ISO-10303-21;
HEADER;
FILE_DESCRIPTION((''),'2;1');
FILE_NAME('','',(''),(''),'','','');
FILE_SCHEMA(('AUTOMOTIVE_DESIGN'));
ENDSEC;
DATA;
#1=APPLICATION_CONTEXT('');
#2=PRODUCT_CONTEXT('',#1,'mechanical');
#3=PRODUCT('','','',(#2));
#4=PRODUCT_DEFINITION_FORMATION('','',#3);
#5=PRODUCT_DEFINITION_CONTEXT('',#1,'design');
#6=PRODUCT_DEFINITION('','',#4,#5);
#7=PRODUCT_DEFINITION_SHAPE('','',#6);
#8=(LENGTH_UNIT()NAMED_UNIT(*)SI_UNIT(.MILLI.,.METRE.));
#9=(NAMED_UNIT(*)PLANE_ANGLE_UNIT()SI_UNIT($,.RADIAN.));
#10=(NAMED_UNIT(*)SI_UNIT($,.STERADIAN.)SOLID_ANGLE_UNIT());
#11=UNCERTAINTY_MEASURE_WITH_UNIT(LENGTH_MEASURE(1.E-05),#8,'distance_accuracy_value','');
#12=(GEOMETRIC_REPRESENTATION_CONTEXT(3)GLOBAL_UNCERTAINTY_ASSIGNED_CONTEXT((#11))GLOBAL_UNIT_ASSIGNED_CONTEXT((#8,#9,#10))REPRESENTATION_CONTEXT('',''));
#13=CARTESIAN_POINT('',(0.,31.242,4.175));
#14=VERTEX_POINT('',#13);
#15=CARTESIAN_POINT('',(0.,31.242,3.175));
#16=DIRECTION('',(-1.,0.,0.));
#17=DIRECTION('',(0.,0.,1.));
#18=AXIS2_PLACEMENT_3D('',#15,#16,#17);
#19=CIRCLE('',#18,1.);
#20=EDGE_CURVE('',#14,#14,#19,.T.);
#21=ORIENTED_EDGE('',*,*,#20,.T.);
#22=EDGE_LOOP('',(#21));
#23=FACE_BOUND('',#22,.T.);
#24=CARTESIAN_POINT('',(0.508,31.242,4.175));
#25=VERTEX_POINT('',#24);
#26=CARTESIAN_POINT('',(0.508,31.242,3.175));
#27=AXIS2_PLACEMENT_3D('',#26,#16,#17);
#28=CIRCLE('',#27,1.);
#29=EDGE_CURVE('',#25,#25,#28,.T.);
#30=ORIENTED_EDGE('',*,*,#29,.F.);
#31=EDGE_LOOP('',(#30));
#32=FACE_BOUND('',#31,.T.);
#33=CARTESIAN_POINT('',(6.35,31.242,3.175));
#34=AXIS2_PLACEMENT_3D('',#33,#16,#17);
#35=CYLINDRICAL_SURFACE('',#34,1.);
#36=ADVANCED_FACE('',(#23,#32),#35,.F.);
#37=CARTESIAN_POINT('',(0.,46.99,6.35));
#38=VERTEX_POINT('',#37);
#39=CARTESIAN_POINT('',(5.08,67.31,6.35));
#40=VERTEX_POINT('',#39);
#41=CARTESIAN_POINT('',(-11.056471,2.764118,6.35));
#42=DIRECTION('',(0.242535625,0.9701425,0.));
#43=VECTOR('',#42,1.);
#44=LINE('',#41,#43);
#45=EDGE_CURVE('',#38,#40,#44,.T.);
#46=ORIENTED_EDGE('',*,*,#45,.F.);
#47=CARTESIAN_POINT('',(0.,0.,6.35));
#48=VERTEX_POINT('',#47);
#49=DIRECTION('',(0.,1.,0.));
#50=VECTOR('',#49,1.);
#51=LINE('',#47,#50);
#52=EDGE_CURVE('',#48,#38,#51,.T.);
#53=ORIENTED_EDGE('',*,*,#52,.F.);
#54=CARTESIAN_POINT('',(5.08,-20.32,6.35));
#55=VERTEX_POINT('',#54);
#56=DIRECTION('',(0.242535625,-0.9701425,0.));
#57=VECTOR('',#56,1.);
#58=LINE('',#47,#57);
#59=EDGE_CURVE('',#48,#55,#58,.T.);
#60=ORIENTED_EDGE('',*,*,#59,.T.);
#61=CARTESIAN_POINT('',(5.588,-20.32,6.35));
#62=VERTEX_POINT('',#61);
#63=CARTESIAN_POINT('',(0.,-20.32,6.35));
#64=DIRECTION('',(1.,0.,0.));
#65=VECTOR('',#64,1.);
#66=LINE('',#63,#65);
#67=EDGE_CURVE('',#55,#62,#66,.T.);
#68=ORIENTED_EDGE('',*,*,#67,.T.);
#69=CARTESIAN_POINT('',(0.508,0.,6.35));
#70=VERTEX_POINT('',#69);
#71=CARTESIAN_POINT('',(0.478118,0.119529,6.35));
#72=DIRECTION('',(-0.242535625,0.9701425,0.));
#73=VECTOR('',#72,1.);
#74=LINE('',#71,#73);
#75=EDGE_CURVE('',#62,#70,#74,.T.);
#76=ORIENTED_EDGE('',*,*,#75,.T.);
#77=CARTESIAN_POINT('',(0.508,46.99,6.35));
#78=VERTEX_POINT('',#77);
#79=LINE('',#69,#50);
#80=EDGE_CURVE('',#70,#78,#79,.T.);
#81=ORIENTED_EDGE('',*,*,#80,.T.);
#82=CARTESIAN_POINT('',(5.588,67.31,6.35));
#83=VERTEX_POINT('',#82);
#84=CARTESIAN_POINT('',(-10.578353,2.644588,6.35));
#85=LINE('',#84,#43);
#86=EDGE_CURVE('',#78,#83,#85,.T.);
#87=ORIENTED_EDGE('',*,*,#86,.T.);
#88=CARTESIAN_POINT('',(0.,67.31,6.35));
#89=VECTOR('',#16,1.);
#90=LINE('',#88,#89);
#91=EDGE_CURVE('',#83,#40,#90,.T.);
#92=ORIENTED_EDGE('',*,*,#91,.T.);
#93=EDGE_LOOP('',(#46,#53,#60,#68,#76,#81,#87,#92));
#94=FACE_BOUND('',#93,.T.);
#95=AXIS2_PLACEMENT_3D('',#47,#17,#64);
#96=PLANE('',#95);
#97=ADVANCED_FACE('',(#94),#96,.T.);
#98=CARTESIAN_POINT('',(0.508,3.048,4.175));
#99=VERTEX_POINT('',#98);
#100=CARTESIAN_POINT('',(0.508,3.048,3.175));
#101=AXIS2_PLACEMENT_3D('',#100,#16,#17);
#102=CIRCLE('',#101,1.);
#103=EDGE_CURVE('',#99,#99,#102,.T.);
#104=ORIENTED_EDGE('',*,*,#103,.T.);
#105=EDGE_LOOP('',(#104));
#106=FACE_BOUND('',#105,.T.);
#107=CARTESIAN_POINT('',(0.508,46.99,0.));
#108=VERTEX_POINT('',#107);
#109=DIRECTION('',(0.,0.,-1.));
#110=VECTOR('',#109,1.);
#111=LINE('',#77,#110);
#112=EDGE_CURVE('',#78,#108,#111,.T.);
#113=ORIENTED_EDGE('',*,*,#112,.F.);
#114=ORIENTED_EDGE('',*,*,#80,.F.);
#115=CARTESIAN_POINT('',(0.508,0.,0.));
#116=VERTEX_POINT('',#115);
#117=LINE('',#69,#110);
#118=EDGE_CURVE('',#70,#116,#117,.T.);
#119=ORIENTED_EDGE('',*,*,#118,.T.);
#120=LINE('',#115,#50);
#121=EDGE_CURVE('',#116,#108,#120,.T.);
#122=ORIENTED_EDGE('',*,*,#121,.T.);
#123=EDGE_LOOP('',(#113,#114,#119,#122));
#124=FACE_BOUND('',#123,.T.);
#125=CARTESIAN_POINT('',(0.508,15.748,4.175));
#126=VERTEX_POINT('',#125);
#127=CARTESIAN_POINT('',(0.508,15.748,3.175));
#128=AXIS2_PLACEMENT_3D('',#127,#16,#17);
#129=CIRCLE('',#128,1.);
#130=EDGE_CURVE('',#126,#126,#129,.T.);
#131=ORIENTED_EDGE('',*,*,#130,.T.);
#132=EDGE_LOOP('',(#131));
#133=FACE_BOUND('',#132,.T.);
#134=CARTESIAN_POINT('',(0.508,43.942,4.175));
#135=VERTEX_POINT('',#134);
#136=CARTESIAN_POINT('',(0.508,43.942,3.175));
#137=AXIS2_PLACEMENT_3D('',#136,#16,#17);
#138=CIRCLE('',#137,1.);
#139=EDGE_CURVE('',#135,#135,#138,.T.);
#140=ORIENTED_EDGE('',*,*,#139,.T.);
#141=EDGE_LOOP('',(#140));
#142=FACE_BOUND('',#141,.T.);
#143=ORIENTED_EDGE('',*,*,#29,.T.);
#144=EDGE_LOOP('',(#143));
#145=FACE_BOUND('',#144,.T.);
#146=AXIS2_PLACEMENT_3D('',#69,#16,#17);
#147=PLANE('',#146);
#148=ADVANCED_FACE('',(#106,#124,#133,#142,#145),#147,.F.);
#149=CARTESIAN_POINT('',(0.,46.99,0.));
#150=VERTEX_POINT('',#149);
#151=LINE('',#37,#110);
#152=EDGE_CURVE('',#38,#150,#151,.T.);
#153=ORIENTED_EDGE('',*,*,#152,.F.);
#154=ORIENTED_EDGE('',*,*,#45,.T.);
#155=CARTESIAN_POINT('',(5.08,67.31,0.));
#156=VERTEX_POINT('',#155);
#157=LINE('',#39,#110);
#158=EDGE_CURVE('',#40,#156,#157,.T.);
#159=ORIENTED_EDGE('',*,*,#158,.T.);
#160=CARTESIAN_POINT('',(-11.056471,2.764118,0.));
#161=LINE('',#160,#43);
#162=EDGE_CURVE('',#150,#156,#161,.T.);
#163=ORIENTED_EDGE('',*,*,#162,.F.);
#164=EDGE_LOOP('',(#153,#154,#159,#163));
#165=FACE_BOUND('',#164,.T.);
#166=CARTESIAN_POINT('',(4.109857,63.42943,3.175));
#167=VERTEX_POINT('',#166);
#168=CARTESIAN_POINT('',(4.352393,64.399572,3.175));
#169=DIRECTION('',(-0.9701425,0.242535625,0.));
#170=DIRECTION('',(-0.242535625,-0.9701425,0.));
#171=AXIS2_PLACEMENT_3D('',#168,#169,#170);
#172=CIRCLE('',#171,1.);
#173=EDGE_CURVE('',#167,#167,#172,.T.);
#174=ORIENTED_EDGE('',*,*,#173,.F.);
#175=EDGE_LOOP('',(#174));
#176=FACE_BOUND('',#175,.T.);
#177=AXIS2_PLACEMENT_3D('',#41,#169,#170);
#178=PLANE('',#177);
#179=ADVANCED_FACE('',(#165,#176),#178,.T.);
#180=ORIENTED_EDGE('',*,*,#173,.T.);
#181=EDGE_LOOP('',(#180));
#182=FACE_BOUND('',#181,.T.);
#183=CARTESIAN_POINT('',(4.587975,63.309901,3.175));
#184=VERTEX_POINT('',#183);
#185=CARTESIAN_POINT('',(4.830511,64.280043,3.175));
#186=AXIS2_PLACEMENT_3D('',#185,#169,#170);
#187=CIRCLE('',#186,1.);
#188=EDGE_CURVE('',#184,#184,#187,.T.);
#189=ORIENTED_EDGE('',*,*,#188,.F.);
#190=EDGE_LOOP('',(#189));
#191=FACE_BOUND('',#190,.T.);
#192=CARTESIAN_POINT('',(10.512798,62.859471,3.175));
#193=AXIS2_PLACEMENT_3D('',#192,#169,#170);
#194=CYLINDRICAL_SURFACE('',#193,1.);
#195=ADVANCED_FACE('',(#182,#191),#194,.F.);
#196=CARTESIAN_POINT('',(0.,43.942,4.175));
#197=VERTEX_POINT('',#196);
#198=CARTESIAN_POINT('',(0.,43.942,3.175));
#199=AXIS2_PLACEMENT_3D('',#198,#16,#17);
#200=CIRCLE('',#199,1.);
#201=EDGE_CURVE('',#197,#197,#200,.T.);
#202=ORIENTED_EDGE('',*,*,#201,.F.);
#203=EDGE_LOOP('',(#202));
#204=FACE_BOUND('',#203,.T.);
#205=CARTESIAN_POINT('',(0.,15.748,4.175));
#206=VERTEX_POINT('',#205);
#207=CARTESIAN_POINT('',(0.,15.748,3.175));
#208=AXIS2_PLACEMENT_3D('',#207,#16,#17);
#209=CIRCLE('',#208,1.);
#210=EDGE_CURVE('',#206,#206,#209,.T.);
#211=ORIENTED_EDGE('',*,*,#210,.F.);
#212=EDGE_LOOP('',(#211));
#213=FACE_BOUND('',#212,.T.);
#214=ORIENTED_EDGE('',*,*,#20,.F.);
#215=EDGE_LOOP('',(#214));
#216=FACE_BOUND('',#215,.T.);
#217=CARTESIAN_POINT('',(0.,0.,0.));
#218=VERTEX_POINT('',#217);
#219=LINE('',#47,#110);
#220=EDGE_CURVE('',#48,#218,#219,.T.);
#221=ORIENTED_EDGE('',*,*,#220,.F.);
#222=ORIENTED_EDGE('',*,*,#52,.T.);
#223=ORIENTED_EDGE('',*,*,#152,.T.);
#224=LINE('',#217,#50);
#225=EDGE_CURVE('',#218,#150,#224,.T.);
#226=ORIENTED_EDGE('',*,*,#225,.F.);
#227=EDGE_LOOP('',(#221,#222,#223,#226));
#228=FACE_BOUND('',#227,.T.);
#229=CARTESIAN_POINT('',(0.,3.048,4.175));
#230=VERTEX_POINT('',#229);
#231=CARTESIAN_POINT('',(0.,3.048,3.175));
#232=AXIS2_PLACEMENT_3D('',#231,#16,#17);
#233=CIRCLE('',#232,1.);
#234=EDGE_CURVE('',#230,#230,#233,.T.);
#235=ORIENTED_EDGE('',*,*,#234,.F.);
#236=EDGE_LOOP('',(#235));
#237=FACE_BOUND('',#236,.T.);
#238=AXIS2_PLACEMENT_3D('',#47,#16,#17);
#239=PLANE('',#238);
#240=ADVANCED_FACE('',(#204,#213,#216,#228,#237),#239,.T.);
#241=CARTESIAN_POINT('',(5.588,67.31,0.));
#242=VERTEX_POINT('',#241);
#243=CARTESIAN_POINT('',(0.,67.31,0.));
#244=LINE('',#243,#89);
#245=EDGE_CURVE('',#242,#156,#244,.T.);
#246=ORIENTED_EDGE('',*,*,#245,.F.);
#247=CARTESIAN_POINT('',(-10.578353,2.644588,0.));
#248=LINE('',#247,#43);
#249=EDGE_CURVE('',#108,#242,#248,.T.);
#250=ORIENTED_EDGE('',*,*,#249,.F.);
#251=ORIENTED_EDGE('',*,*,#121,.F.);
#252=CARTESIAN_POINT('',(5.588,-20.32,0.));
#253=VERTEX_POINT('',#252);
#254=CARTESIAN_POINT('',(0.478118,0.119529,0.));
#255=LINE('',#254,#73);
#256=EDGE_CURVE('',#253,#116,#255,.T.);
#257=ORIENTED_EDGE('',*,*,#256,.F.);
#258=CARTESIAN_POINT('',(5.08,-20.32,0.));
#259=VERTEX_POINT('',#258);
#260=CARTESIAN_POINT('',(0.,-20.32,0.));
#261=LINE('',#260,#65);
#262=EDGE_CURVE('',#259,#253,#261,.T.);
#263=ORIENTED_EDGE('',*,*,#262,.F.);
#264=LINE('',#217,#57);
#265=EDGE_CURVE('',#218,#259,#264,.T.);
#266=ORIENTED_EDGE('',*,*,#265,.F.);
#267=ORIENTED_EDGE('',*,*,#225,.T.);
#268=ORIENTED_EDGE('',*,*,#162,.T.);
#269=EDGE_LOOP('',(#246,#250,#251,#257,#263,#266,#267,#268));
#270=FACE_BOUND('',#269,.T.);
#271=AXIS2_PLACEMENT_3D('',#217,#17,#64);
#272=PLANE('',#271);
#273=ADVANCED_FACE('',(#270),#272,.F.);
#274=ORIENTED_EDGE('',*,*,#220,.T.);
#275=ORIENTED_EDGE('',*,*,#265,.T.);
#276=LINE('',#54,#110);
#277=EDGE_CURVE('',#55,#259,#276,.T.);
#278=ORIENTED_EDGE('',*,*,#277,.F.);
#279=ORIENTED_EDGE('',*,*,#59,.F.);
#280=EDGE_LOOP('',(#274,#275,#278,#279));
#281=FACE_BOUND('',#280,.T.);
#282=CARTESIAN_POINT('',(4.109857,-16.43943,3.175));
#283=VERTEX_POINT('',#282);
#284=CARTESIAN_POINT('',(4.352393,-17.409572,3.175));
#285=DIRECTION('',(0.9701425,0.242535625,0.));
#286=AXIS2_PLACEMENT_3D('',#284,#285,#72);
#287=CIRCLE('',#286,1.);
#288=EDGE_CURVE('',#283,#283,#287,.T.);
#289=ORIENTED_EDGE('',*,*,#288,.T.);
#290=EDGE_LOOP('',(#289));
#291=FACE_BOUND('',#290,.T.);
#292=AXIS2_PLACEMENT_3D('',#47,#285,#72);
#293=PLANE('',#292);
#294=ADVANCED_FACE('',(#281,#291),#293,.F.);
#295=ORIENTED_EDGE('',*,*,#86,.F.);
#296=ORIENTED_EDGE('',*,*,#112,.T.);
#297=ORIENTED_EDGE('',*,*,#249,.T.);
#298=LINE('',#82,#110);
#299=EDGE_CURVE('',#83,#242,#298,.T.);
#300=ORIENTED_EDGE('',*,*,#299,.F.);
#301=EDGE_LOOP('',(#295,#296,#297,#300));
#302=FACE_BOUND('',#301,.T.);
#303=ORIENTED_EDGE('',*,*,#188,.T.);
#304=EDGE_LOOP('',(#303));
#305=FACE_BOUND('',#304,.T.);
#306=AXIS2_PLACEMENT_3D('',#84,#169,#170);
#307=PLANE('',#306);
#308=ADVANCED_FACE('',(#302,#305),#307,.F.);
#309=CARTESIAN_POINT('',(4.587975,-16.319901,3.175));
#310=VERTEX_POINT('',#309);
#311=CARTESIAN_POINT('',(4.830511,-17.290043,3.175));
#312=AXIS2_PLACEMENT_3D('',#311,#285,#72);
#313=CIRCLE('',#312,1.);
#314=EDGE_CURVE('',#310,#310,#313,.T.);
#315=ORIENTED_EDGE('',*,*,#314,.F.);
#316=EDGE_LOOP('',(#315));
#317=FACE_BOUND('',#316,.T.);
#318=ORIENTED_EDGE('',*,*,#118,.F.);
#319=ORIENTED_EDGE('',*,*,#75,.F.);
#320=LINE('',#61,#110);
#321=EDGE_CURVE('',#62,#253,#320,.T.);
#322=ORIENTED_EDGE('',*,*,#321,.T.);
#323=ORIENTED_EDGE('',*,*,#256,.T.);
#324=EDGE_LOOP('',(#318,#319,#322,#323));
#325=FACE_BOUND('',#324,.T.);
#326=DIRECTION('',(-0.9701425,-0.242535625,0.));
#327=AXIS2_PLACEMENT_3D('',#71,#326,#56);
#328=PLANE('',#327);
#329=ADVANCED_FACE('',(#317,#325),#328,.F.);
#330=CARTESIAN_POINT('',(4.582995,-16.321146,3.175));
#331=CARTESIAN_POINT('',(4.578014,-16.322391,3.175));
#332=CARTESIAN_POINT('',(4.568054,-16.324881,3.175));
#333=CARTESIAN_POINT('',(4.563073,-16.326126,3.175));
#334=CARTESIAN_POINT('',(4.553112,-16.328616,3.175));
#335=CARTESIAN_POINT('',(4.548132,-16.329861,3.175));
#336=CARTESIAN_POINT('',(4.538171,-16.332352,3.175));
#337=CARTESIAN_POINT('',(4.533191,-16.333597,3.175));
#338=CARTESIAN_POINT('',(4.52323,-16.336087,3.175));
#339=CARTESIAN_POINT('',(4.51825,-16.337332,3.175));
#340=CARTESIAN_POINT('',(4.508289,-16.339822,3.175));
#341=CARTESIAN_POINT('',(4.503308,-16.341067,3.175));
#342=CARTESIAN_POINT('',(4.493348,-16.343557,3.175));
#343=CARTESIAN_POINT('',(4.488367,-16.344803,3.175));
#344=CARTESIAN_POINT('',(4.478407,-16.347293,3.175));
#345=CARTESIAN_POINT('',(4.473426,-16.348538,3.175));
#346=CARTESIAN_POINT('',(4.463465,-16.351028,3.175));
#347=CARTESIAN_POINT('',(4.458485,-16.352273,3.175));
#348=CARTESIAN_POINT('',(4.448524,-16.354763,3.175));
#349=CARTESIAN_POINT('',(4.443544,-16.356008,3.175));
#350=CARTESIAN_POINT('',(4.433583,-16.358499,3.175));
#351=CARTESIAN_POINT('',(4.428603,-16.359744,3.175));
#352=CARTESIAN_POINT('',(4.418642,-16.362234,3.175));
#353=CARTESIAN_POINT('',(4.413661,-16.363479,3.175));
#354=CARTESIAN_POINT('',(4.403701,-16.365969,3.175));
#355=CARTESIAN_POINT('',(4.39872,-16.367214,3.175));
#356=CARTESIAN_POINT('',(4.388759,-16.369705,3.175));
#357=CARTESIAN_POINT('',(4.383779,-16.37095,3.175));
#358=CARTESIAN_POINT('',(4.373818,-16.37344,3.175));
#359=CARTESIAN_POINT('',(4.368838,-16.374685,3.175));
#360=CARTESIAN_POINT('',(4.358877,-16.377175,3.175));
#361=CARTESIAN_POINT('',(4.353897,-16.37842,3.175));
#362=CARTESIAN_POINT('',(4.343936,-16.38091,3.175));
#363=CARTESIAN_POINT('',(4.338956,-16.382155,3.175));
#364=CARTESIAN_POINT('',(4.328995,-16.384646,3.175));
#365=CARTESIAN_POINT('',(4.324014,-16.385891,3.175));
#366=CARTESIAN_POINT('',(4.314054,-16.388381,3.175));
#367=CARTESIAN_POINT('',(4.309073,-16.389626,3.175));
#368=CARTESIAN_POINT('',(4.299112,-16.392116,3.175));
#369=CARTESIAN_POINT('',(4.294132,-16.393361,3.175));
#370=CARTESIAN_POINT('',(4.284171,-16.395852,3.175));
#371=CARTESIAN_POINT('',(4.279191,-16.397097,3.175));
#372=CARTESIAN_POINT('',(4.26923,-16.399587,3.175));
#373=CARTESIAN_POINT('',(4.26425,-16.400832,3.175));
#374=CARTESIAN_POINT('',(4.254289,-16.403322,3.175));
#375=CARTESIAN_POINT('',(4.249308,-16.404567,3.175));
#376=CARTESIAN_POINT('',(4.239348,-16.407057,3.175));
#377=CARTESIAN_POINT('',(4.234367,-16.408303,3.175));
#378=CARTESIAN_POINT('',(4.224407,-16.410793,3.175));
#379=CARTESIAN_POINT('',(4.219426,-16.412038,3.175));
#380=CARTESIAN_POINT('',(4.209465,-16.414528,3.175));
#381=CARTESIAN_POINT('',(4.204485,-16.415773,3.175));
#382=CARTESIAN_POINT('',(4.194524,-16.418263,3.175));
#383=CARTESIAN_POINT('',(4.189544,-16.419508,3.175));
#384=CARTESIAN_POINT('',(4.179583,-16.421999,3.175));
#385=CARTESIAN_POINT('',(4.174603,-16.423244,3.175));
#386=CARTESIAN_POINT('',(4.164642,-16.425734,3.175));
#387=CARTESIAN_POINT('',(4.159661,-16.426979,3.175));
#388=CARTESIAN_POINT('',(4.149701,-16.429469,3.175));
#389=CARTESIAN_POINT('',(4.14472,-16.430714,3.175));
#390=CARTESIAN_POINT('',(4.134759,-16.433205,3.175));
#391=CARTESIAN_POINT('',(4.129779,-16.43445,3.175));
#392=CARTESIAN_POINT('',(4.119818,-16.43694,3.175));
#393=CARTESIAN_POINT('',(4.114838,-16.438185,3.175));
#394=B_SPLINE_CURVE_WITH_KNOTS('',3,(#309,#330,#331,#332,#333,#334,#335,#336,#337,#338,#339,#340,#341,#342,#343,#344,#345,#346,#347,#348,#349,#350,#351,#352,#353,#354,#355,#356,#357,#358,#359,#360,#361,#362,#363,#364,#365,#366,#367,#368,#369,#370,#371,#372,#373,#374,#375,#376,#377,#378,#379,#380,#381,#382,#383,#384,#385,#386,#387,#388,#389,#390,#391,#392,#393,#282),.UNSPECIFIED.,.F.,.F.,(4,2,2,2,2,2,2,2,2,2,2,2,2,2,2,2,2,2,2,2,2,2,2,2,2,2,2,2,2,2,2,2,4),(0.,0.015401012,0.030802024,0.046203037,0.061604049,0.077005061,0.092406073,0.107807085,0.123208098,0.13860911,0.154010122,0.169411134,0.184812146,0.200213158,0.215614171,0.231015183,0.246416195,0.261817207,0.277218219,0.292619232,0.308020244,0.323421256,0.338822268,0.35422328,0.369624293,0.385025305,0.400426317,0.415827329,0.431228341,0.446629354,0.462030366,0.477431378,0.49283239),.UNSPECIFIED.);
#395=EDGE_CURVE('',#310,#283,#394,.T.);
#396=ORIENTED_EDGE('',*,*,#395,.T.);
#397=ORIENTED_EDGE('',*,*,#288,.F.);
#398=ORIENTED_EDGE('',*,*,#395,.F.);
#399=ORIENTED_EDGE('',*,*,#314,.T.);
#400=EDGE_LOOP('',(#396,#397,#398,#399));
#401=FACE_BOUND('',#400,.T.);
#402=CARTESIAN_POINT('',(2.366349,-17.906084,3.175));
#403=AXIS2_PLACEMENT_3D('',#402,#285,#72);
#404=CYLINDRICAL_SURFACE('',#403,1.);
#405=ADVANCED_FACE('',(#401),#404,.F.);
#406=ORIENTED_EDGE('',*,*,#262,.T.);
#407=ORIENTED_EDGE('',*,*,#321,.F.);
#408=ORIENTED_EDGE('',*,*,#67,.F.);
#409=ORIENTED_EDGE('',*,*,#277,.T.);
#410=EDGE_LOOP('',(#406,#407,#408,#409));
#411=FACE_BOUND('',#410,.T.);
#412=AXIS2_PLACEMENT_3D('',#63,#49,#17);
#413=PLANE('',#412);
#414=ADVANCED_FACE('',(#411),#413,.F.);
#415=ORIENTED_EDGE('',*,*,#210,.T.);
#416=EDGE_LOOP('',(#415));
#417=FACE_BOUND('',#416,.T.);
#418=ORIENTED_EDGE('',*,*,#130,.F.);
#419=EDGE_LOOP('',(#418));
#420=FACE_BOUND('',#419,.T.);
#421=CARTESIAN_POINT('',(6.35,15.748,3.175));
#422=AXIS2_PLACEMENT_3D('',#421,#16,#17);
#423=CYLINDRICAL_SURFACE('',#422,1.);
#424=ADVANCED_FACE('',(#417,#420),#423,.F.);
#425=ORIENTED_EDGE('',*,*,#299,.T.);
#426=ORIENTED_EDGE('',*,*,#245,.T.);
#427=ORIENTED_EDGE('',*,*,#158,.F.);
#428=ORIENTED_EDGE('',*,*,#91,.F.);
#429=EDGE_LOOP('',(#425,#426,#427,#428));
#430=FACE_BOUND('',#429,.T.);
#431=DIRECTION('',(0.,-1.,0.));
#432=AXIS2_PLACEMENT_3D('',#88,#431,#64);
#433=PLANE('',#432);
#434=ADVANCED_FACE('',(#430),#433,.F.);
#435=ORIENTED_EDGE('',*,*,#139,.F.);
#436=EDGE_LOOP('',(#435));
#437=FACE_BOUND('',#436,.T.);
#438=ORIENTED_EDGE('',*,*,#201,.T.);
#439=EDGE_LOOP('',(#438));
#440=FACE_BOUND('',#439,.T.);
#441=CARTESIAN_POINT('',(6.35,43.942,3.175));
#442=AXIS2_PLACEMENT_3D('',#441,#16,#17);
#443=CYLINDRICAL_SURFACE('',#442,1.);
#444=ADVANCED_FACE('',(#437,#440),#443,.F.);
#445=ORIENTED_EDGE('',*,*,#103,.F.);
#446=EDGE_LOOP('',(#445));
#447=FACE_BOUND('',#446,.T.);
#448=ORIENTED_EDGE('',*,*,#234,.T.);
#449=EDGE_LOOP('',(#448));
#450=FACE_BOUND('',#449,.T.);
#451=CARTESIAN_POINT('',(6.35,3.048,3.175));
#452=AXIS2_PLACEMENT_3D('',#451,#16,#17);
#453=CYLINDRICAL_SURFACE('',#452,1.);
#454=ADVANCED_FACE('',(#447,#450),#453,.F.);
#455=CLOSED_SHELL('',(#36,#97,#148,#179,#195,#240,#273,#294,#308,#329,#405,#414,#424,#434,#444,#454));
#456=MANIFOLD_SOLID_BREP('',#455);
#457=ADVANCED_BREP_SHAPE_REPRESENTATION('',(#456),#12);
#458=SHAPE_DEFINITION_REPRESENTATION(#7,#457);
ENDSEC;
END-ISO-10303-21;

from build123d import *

# Parameters (mm, degrees)
SKETCH1_W           = 0.508
SKETCH1_H           = 46.99
BOSS_EXTRUDE1_DEPTH = 6.35
SKETCH2_R           = 1
CUT_EXTRUDE1_DEPTH  = 6.35
SKETCH3_R           = 1
CUT_EXTRUDE2_DEPTH  = 6.35
SKETCH4_R           = 1
CUT_EXTRUDE3_DEPTH  = 2.54


with BuildPart() as part:
    # Sketch1 → Boss-Extrude1 (new body)
    with BuildSketch(Plane.XY):
        with Locations((0.254, 23.495)):
            Rectangle(SKETCH1_W, SKETCH1_H)
        Polygon((0, 46.99), (0.508, 46.99), (5.588, 67.31), (5.08, 67.31), align=None)
        Polygon((5.588, -20.32), (0.508, 0), (0, 0), (5.08, -20.32), align=None)
    extrude(amount=BOSS_EXTRUDE1_DEPTH)

    # Sketch2 → Cut-Extrude1 (cut)
    with BuildSketch(Plane.ZY):
        with Locations((3.175, 3.048)):
            Circle(SKETCH2_R)
        with Locations((3.175, 15.748)):
            Circle(SKETCH2_R)
        with Locations((3.175, 43.942)):
            Circle(SKETCH2_R)
        with Locations((3.175, 31.242)):
            Circle(SKETCH2_R)
    extrude(amount=-CUT_EXTRUDE1_DEPTH, mode=Mode.SUBTRACT)

    # Sketch3 → Cut-Extrude2 (cut)
    with BuildSketch(Plane(origin=(-11.056470588, 2.764117647, 0), x_dir=(0, 0, 1), z_dir=(-0.9701425001453319, 0.24253562503633325, 0))):
        with Locations(Location((3.175, 63.53237266, 0), (0, 0, 270))):
            Circle(SKETCH3_R)
    extrude(amount=-CUT_EXTRUDE2_DEPTH, mode=Mode.SUBTRACT)

    # Sketch4 → Cut-Extrude3 (cut)
    with BuildSketch(Plane(origin=(0.478117647, 0.119529412, 0), x_dir=(0, 0, -1), z_dir=(0.9701425001453319, 0.24253562503633308, 0))):
        with Locations(Location((-3.175, -17.945376578, 0), (0, 0, 90))):
            Circle(SKETCH4_R)
    extrude(amount=-CUT_EXTRUDE3_DEPTH, mode=Mode.SUBTRACT)


solid = part.part
